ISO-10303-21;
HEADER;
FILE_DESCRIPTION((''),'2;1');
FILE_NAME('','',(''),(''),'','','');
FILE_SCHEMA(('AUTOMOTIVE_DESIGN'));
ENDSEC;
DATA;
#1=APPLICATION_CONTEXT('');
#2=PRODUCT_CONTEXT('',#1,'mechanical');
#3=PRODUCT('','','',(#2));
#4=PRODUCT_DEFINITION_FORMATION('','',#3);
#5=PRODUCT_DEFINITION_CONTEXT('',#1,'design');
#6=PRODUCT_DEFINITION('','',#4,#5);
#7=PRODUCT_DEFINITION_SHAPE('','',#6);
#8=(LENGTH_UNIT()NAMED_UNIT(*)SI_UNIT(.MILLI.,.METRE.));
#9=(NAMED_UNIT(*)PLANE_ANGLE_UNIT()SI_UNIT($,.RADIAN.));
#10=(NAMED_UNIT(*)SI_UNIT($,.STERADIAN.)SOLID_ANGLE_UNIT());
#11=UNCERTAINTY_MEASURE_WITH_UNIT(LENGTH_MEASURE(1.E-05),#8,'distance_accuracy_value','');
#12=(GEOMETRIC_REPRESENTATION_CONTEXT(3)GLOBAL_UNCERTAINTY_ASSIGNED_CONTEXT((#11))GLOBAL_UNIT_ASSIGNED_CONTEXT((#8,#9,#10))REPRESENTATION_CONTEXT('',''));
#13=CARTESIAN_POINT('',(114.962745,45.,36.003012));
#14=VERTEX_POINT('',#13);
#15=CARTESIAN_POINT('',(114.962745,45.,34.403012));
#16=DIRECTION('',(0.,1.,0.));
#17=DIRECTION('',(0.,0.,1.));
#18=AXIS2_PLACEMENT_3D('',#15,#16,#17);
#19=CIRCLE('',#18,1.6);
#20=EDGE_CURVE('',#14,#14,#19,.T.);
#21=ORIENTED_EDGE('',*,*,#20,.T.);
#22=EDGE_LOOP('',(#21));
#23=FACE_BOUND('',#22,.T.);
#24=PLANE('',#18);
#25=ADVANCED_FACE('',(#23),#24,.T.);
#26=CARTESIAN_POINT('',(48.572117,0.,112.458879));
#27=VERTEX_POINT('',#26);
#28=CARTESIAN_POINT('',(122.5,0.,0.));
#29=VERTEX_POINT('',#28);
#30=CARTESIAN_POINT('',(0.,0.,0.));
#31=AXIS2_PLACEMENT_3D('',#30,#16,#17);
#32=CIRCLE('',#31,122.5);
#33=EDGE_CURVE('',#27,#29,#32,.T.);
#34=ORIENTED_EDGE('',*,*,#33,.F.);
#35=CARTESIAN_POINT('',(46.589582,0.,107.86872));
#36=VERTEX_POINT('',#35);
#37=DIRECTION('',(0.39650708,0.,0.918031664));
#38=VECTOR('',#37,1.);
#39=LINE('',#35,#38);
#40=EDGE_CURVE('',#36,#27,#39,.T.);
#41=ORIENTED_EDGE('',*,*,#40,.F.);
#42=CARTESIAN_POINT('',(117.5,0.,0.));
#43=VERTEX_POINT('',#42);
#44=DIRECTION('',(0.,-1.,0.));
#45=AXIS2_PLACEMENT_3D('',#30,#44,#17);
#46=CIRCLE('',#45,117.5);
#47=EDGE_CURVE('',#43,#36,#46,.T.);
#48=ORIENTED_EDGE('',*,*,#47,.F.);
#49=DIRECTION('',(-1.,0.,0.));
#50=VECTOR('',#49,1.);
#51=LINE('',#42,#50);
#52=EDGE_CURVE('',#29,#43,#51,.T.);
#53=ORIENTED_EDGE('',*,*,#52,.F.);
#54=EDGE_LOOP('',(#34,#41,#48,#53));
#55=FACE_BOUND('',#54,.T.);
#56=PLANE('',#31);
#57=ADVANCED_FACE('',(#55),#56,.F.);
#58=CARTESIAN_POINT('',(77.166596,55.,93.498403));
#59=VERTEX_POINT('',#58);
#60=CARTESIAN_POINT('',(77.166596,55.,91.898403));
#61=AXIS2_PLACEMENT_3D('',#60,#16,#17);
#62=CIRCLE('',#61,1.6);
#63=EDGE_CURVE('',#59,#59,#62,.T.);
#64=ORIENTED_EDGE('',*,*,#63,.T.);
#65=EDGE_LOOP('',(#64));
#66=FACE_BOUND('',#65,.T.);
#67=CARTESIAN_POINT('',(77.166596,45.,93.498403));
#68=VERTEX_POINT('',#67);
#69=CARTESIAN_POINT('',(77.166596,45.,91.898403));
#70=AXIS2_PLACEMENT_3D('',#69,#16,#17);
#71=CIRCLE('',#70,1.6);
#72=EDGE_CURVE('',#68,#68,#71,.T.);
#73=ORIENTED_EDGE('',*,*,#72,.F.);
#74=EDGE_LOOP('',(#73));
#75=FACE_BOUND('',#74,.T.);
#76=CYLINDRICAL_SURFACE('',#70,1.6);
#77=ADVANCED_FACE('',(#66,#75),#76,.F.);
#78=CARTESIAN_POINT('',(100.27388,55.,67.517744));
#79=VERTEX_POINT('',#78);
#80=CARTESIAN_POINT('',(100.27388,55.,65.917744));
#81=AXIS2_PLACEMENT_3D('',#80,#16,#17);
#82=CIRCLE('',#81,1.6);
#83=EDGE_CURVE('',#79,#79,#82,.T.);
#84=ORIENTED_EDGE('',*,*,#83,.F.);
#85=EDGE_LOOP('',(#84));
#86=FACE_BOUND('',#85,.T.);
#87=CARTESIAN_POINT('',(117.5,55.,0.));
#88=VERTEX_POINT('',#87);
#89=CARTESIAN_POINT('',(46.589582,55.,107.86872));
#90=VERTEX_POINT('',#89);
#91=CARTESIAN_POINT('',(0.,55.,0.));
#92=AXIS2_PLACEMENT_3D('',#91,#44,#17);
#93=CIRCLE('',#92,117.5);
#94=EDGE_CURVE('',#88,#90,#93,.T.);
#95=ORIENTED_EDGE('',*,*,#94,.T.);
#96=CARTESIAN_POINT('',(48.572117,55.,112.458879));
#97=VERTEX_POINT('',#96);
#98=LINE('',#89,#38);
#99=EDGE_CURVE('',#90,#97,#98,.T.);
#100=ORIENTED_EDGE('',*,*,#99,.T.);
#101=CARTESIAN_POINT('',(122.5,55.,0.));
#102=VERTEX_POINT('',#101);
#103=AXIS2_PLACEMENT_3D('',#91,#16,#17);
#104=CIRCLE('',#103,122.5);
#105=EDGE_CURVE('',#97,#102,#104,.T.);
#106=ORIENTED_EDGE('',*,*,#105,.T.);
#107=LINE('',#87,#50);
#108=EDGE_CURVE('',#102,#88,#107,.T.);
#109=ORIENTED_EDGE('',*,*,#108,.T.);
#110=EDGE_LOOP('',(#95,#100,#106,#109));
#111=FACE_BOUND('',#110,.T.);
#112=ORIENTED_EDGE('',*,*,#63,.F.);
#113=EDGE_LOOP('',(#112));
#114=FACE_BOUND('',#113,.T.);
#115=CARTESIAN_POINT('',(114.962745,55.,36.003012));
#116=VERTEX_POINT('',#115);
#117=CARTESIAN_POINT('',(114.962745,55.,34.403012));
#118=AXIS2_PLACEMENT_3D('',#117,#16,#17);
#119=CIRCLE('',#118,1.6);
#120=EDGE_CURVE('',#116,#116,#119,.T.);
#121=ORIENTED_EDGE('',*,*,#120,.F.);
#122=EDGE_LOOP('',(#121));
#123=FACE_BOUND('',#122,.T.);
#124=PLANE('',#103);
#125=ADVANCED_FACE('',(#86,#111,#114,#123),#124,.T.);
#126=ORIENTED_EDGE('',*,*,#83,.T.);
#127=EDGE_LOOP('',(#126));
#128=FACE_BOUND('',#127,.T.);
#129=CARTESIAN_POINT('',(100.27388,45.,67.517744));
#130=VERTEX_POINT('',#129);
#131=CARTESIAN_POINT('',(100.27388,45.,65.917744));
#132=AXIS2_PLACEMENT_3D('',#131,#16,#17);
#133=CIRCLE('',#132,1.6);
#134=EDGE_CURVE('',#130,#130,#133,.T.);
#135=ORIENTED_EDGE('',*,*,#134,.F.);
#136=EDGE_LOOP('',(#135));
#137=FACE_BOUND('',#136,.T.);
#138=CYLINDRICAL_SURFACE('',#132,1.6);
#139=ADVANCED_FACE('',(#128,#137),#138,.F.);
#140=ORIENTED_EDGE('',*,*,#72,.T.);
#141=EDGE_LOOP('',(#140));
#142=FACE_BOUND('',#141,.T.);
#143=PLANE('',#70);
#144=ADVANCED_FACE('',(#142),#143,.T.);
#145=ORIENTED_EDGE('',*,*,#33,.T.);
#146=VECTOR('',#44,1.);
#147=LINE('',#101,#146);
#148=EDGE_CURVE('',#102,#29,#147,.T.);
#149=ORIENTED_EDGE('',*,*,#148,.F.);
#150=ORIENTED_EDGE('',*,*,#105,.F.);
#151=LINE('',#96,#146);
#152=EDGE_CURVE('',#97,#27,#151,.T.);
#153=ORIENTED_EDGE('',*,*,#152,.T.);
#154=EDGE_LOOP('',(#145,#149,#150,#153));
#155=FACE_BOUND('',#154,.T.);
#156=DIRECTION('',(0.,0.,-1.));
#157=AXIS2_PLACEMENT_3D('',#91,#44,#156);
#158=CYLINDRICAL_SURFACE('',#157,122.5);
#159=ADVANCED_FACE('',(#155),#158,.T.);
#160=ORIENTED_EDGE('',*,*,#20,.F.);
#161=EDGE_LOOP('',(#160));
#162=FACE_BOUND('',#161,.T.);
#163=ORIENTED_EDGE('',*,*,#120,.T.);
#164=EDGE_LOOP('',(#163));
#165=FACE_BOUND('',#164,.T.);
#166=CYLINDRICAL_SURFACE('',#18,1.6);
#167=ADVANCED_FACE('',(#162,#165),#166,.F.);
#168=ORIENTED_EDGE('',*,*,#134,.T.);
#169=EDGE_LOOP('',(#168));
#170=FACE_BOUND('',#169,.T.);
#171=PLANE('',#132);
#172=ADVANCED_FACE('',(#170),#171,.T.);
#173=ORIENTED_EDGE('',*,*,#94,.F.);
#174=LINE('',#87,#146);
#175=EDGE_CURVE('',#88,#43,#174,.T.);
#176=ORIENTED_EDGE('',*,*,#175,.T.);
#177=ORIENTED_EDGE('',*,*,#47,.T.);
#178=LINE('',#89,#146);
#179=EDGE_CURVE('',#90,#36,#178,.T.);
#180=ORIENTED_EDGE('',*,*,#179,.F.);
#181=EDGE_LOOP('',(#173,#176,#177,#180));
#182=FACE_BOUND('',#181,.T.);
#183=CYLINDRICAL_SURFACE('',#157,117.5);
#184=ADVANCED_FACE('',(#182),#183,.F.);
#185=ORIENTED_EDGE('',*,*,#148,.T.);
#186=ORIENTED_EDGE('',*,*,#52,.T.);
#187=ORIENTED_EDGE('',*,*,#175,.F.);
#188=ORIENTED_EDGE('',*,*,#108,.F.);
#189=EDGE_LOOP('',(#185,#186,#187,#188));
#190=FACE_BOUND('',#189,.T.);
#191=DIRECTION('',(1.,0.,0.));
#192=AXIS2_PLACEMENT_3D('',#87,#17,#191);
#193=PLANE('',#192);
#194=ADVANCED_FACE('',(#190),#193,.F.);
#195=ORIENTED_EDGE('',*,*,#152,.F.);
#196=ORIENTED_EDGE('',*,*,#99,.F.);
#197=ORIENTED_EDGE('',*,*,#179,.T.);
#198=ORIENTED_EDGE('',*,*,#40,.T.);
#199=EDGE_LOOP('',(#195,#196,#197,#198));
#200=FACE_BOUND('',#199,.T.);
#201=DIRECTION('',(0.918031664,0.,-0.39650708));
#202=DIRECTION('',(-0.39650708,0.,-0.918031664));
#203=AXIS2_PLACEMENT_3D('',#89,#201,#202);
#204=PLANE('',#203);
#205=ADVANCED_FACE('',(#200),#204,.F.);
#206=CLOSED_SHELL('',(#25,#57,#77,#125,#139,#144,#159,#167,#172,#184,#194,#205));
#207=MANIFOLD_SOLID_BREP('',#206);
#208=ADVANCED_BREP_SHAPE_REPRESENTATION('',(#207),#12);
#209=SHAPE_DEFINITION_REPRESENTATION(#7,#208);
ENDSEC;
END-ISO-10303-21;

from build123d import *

# Parameters (mm, degrees)
EXTRUDE_1_DEPTH     = 55
SKETCH_3_R          = 1.6
CUT_EXTRUDE_1_DEPTH = 10


with BuildPart() as part:
    # ｽｹｯﾁ1 → ﾎﾞｽ - 押し出し1 (new body)
    with BuildSketch(Plane(origin=(0, 0, 0), x_dir=(1, 0, 0), z_dir=(0, 1, 0))):
        with BuildLine():
            Line((117.5, 0), (122.5, 0))
            ThreePointArc((122.5, 0), (102.362919004, -67.291030703), (48.572117338, -112.458878784))
            Line((48.572117338, -112.458878784), (46.589581936, -107.868720466))
            ThreePointArc((46.589581936, -107.868720466), (98.184840677, -64.544458021), (117.5, 0))
        make_face()
    extrude(amount=EXTRUDE_1_DEPTH)

    # ｽｹｯﾁ3 → ｶｯﾄ - 押し出し1 (cut)
    with BuildSketch(Plane(origin=(0, 55, 0), x_dir=(1, 0, 0), z_dir=(0, 1, 0))):
        with Locations(Location((77.166596457, -91.89840255, 0), (0, 0, 270))):
            Circle(SKETCH_3_R)
        with Locations(Location((100.27387984, -65.917744362, 0), (0, 0, 270))):
            Circle(SKETCH_3_R)
        with Locations(Location((114.962745228, -34.403011635, 0), (0, 0, 270))):
            Circle(SKETCH_3_R)
    extrude(amount=-CUT_EXTRUDE_1_DEPTH, mode=Mode.SUBTRACT)


solid = part.part
